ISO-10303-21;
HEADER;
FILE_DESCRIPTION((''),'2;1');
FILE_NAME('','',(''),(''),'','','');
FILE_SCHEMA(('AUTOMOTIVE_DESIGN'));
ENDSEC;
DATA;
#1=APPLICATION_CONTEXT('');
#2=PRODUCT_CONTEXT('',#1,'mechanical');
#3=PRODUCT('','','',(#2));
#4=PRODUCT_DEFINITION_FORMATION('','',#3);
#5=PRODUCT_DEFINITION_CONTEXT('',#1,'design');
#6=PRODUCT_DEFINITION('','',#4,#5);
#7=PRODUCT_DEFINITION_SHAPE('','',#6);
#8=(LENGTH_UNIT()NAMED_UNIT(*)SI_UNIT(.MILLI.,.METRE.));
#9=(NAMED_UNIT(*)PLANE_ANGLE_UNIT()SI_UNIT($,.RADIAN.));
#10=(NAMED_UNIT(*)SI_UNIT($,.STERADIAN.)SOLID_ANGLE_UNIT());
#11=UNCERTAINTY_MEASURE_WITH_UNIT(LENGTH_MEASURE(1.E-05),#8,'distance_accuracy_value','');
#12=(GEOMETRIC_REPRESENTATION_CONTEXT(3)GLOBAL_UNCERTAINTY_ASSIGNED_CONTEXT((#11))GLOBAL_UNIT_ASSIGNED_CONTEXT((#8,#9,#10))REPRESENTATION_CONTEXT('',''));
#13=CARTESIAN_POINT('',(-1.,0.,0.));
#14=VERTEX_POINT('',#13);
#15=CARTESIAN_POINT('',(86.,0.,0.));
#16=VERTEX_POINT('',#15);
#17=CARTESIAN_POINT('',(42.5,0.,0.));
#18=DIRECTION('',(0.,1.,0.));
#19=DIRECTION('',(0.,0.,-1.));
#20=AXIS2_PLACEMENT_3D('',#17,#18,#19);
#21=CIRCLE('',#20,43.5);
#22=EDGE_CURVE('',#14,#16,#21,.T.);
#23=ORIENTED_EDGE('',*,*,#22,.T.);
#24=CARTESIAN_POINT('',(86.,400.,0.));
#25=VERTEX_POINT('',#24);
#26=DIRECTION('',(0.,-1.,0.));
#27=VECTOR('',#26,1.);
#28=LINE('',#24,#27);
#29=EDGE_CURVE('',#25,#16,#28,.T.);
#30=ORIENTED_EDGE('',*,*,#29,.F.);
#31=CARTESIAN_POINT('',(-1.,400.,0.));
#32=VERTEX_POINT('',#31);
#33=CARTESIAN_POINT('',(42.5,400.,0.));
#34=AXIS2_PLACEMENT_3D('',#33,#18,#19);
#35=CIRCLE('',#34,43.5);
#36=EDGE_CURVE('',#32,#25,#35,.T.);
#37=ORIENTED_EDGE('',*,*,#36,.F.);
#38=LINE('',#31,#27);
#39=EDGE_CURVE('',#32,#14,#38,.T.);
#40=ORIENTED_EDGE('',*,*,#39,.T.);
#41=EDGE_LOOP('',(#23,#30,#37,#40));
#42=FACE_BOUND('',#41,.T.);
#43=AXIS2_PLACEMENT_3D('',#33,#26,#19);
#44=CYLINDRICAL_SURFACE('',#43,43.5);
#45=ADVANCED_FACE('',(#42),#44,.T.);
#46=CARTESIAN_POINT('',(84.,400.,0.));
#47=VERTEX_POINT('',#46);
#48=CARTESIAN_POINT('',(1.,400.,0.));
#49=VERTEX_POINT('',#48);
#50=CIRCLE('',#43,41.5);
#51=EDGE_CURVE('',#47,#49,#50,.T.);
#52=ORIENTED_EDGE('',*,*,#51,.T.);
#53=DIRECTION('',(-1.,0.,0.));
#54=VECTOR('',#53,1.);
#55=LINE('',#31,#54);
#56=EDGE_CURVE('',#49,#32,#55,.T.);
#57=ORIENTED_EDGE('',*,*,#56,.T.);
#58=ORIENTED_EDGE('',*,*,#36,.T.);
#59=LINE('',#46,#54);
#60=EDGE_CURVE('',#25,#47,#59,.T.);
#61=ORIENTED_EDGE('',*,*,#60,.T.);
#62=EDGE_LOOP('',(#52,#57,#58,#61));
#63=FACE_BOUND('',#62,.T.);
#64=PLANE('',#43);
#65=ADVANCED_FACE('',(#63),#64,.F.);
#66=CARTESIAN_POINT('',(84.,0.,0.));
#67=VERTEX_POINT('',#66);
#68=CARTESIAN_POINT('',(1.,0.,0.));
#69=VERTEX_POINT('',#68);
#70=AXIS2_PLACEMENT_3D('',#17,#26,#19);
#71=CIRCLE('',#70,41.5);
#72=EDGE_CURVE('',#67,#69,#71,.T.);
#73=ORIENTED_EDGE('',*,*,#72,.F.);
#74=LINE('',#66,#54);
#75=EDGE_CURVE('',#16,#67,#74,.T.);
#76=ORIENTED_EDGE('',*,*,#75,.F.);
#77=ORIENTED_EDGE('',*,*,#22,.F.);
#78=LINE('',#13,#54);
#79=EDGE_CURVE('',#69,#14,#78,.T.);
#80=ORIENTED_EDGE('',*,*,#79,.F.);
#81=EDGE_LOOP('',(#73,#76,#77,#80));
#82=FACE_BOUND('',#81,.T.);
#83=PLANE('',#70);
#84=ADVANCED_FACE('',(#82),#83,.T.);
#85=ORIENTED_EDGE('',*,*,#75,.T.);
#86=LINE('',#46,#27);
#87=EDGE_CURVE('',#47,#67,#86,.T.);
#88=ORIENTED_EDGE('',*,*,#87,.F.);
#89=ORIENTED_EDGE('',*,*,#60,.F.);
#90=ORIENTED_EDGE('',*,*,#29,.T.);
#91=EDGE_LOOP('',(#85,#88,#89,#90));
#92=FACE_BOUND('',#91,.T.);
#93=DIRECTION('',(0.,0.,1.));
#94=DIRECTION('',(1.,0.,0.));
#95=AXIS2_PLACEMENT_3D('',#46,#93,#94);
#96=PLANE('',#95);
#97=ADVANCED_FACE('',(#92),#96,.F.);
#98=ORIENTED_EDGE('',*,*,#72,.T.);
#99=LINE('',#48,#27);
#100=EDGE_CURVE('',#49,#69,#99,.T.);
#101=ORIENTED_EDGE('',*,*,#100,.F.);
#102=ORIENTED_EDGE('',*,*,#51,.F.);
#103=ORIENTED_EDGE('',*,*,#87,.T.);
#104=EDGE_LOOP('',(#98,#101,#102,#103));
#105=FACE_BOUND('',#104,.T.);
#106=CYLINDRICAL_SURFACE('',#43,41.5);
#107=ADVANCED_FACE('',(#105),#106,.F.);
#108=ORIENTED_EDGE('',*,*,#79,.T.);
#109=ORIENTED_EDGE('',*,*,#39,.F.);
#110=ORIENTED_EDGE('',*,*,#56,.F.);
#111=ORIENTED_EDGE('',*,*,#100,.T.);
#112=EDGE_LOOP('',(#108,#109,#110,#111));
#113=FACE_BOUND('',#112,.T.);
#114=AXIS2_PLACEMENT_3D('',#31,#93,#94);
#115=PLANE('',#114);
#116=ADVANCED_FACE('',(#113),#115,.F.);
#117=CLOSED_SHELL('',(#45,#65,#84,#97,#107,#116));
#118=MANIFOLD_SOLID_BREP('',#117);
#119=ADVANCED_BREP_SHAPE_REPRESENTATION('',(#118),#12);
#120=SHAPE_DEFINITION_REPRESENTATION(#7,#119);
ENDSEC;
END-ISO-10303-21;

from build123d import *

# Parameters (mm, degrees)
BOSS_EXTRUDE1_DEPTH = 400


with BuildPart() as part:
    # Sketch1 → Boss-Extrude1 (new body)
    with BuildSketch(Plane(origin=(0, 0, 0), x_dir=(1, 0, 0), z_dir=(0, 1, 0))):
        with BuildLine():
            Line((84, 0), (86, 0))
            ThreePointArc((86, 0), (42.5, -43.5), (-1, 0))
            Line((-1, 0), (1, 0))
            ThreePointArc((1, 0), (42.5, -41.5), (84, 0))
        make_face()
    extrude(amount=BOSS_EXTRUDE1_DEPTH)


solid = part.part
